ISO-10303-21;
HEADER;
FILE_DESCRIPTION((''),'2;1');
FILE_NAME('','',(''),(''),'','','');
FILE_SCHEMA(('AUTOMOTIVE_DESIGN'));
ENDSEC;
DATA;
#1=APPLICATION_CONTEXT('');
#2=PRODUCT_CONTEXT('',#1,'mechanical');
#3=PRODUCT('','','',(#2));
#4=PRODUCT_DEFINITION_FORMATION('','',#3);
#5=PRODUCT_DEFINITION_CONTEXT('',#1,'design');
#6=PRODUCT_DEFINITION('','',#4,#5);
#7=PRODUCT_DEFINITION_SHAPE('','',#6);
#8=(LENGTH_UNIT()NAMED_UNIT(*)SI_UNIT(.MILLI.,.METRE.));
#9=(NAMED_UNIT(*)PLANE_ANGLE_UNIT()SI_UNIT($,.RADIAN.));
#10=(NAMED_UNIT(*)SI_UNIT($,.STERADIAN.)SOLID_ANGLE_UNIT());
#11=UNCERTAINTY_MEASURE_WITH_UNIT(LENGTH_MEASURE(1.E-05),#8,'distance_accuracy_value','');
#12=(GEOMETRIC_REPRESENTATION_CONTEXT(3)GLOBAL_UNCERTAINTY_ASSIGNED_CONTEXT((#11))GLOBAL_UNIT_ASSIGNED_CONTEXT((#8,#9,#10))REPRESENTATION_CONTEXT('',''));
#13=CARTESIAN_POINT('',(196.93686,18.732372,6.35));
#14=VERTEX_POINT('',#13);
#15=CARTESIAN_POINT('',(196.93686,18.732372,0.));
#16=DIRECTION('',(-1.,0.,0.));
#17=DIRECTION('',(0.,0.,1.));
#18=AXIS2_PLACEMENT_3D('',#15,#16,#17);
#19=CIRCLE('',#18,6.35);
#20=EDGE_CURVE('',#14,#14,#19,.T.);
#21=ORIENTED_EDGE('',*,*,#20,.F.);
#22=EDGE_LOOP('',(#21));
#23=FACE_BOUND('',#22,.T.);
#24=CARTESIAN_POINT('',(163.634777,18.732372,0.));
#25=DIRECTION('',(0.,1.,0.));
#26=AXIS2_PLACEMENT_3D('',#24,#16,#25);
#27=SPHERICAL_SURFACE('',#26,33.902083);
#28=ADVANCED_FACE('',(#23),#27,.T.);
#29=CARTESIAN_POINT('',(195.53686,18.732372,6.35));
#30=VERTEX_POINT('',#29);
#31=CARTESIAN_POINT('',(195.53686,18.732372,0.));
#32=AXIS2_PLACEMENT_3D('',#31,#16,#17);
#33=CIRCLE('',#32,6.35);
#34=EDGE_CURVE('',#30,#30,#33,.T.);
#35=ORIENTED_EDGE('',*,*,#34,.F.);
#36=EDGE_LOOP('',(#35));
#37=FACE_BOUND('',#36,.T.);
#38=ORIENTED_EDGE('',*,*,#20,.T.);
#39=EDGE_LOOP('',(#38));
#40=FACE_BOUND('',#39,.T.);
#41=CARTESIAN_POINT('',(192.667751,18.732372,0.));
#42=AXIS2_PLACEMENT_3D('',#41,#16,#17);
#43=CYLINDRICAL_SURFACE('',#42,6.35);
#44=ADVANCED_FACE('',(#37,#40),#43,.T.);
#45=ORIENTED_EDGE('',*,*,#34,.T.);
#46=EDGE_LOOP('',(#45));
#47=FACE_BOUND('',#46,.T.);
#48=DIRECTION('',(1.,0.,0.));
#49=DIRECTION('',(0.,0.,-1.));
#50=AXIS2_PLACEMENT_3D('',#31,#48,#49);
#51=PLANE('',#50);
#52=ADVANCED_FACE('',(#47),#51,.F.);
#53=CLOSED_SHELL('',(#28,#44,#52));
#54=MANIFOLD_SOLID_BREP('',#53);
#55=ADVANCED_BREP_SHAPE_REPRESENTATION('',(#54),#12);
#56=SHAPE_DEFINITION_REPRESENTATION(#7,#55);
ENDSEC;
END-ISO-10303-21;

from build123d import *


with BuildPart() as part:
    # 草图1 → 旋转1 (revolve)
    with BuildSketch(Plane.XY):
        with BuildLine():
            Line((195.536860058, 18.732372178), (195.536860058, 25.082372178))
            Line((195.536860058, 25.082372178), (196.936860058, 25.082372178))
            ThreePointArc((196.936860058, 25.082372178), (197.386526744, 21.921513912), (197.536860058, 18.732372178))
            Line((197.536860058, 18.732372178), (195.536860058, 18.732372178))
        make_face()
    revolve(axis=Axis((192.66775104, 18.732372178, 0), (1, 0, 0)))


solid = part.part
